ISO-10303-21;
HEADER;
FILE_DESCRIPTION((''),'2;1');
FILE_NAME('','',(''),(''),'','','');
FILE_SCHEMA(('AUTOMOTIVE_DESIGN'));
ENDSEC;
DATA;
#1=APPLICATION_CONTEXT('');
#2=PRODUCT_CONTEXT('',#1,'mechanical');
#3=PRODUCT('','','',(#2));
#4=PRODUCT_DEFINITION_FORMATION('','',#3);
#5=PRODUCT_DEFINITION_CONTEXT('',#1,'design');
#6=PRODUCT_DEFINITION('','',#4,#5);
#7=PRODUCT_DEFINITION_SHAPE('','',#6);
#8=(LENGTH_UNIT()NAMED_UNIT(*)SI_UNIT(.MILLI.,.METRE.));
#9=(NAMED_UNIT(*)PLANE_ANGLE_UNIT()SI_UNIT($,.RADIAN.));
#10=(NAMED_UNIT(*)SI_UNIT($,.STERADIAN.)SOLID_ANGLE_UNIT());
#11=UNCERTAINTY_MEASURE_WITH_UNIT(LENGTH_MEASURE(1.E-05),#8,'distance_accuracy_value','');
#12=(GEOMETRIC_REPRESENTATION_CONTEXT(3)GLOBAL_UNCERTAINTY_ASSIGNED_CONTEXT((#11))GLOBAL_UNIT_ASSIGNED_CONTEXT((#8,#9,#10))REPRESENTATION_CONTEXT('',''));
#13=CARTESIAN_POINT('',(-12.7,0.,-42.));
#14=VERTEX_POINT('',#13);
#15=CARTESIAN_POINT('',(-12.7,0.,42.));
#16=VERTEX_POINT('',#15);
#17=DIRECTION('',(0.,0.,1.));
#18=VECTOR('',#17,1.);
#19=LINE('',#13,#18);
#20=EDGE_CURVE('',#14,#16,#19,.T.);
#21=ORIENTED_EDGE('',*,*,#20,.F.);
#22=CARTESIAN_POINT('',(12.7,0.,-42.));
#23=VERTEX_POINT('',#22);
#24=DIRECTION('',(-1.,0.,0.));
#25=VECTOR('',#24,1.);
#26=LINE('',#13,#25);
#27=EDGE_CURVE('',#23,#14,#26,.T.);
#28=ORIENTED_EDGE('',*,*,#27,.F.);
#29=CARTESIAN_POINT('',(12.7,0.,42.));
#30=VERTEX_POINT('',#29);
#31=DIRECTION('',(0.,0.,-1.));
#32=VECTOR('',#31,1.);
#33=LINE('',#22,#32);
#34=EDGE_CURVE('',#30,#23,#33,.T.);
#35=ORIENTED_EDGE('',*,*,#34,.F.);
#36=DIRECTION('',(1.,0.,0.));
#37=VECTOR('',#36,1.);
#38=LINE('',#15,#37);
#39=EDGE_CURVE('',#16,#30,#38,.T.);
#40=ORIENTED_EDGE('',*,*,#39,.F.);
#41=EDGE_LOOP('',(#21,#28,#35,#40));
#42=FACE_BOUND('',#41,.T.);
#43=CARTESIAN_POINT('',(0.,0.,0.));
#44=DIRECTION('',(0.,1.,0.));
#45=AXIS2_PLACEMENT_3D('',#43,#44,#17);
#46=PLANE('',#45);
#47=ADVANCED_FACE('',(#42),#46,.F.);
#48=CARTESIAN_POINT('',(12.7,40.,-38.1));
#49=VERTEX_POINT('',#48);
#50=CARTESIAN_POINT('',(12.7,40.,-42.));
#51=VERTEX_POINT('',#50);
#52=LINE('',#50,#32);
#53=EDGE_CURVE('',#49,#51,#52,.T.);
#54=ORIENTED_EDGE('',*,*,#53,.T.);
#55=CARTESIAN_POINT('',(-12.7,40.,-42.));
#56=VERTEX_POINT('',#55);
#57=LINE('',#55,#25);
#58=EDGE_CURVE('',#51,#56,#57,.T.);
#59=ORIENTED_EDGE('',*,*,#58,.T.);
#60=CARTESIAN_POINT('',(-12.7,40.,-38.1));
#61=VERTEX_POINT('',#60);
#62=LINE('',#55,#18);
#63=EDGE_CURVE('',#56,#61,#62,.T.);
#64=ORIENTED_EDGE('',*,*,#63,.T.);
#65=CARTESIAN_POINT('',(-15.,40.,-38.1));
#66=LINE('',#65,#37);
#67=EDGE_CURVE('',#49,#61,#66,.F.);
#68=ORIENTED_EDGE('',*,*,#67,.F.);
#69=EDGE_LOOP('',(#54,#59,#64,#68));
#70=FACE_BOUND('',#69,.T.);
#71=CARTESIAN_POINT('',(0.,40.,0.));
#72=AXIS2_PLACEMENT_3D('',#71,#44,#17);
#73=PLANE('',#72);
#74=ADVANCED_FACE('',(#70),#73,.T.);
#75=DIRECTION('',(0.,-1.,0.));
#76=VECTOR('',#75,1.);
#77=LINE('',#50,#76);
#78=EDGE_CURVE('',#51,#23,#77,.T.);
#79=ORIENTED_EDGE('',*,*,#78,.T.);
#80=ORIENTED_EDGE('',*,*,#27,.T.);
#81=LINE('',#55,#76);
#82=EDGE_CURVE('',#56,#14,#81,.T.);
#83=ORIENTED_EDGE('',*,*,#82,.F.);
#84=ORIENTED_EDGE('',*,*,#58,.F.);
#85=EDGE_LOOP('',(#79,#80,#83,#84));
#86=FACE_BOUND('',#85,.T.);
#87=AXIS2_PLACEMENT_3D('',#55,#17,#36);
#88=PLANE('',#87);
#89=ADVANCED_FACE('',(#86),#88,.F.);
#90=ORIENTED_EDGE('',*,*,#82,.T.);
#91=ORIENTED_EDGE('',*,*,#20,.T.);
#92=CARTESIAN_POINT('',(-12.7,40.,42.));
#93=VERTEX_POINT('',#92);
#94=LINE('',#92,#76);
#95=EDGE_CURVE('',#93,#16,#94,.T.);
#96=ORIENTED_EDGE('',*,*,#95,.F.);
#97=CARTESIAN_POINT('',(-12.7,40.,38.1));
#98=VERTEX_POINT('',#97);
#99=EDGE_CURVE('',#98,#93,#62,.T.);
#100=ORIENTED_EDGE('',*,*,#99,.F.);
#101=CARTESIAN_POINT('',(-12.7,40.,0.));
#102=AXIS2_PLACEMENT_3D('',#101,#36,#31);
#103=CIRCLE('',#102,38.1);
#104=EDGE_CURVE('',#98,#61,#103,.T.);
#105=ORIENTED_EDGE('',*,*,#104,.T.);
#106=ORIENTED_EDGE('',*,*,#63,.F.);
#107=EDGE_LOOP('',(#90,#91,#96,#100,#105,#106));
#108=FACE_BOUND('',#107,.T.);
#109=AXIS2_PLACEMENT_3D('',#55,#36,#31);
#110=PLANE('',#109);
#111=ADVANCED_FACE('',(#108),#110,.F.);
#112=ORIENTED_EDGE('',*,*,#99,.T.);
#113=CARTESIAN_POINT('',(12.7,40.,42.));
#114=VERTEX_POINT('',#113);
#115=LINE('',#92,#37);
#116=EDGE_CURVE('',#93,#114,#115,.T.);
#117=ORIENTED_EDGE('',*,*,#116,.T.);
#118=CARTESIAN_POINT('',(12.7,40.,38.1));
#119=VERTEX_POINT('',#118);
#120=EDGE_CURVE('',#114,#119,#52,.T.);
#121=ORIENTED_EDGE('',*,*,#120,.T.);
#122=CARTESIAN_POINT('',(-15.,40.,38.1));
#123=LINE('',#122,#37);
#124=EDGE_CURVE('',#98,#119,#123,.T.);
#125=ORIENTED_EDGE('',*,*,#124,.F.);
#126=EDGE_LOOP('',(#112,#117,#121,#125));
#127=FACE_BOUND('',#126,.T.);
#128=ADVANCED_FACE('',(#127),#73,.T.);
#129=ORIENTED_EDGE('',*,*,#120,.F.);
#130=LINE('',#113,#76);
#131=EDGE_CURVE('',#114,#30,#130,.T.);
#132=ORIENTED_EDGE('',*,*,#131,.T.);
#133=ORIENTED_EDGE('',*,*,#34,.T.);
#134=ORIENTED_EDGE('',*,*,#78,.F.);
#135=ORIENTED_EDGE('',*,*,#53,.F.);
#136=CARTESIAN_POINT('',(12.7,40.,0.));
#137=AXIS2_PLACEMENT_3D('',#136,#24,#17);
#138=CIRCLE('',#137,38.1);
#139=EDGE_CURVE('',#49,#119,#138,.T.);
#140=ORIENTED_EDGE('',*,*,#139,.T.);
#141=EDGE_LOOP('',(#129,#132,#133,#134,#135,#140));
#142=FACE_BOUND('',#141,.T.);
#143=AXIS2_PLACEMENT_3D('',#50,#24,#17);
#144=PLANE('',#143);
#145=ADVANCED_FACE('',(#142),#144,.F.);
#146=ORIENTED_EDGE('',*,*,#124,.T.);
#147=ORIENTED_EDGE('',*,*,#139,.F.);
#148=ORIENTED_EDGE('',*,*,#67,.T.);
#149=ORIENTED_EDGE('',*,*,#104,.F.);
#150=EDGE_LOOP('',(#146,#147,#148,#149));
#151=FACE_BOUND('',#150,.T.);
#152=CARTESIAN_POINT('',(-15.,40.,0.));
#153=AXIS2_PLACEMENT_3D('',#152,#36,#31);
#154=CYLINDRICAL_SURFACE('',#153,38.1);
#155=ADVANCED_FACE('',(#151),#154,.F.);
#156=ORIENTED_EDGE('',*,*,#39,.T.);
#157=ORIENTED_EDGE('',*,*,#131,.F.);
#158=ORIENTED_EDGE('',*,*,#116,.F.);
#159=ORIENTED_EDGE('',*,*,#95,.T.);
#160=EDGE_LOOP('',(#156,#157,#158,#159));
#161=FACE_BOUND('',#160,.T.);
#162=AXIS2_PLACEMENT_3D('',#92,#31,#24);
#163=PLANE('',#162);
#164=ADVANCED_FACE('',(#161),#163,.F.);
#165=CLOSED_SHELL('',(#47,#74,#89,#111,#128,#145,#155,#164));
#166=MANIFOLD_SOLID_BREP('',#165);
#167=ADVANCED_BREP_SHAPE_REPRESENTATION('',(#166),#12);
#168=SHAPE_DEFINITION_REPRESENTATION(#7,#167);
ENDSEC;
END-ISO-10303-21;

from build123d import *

# Parameters (mm, degrees)
SKETCH1_W               = 25.4
SKETCH1_H               = 84
BOSS_EXTRUDE1_DEPTH     = 40
CUT_EXTRUDE1_DEPTH      = 15
CUT_EXTRUDE1_DEPTH_BACK = 15
SKETCH4_R               = 38.1


with BuildPart() as part:
    # Sketch1 → Boss-Extrude1 (new body)
    with BuildSketch(Plane(origin=(0, 0, 0), x_dir=(1, 0, 0), z_dir=(0, 1, 0))):
        Rectangle(SKETCH1_W, SKETCH1_H)
    extrude(amount=BOSS_EXTRUDE1_DEPTH)

    # Sketch4 → Cut-Extrude1 (cut, two sides: drawn at the far end of the back side and taken through both)
    with BuildSketch(Plane(origin=(0, 0, 0), x_dir=(0, 0, -1), z_dir=(1, 0, 0)).offset(-CUT_EXTRUDE1_DEPTH_BACK)):
        with Locations((0, 40)):
            Circle(SKETCH4_R)
    extrude(amount=CUT_EXTRUDE1_DEPTH + CUT_EXTRUDE1_DEPTH_BACK, mode=Mode.SUBTRACT)


solid = part.part
